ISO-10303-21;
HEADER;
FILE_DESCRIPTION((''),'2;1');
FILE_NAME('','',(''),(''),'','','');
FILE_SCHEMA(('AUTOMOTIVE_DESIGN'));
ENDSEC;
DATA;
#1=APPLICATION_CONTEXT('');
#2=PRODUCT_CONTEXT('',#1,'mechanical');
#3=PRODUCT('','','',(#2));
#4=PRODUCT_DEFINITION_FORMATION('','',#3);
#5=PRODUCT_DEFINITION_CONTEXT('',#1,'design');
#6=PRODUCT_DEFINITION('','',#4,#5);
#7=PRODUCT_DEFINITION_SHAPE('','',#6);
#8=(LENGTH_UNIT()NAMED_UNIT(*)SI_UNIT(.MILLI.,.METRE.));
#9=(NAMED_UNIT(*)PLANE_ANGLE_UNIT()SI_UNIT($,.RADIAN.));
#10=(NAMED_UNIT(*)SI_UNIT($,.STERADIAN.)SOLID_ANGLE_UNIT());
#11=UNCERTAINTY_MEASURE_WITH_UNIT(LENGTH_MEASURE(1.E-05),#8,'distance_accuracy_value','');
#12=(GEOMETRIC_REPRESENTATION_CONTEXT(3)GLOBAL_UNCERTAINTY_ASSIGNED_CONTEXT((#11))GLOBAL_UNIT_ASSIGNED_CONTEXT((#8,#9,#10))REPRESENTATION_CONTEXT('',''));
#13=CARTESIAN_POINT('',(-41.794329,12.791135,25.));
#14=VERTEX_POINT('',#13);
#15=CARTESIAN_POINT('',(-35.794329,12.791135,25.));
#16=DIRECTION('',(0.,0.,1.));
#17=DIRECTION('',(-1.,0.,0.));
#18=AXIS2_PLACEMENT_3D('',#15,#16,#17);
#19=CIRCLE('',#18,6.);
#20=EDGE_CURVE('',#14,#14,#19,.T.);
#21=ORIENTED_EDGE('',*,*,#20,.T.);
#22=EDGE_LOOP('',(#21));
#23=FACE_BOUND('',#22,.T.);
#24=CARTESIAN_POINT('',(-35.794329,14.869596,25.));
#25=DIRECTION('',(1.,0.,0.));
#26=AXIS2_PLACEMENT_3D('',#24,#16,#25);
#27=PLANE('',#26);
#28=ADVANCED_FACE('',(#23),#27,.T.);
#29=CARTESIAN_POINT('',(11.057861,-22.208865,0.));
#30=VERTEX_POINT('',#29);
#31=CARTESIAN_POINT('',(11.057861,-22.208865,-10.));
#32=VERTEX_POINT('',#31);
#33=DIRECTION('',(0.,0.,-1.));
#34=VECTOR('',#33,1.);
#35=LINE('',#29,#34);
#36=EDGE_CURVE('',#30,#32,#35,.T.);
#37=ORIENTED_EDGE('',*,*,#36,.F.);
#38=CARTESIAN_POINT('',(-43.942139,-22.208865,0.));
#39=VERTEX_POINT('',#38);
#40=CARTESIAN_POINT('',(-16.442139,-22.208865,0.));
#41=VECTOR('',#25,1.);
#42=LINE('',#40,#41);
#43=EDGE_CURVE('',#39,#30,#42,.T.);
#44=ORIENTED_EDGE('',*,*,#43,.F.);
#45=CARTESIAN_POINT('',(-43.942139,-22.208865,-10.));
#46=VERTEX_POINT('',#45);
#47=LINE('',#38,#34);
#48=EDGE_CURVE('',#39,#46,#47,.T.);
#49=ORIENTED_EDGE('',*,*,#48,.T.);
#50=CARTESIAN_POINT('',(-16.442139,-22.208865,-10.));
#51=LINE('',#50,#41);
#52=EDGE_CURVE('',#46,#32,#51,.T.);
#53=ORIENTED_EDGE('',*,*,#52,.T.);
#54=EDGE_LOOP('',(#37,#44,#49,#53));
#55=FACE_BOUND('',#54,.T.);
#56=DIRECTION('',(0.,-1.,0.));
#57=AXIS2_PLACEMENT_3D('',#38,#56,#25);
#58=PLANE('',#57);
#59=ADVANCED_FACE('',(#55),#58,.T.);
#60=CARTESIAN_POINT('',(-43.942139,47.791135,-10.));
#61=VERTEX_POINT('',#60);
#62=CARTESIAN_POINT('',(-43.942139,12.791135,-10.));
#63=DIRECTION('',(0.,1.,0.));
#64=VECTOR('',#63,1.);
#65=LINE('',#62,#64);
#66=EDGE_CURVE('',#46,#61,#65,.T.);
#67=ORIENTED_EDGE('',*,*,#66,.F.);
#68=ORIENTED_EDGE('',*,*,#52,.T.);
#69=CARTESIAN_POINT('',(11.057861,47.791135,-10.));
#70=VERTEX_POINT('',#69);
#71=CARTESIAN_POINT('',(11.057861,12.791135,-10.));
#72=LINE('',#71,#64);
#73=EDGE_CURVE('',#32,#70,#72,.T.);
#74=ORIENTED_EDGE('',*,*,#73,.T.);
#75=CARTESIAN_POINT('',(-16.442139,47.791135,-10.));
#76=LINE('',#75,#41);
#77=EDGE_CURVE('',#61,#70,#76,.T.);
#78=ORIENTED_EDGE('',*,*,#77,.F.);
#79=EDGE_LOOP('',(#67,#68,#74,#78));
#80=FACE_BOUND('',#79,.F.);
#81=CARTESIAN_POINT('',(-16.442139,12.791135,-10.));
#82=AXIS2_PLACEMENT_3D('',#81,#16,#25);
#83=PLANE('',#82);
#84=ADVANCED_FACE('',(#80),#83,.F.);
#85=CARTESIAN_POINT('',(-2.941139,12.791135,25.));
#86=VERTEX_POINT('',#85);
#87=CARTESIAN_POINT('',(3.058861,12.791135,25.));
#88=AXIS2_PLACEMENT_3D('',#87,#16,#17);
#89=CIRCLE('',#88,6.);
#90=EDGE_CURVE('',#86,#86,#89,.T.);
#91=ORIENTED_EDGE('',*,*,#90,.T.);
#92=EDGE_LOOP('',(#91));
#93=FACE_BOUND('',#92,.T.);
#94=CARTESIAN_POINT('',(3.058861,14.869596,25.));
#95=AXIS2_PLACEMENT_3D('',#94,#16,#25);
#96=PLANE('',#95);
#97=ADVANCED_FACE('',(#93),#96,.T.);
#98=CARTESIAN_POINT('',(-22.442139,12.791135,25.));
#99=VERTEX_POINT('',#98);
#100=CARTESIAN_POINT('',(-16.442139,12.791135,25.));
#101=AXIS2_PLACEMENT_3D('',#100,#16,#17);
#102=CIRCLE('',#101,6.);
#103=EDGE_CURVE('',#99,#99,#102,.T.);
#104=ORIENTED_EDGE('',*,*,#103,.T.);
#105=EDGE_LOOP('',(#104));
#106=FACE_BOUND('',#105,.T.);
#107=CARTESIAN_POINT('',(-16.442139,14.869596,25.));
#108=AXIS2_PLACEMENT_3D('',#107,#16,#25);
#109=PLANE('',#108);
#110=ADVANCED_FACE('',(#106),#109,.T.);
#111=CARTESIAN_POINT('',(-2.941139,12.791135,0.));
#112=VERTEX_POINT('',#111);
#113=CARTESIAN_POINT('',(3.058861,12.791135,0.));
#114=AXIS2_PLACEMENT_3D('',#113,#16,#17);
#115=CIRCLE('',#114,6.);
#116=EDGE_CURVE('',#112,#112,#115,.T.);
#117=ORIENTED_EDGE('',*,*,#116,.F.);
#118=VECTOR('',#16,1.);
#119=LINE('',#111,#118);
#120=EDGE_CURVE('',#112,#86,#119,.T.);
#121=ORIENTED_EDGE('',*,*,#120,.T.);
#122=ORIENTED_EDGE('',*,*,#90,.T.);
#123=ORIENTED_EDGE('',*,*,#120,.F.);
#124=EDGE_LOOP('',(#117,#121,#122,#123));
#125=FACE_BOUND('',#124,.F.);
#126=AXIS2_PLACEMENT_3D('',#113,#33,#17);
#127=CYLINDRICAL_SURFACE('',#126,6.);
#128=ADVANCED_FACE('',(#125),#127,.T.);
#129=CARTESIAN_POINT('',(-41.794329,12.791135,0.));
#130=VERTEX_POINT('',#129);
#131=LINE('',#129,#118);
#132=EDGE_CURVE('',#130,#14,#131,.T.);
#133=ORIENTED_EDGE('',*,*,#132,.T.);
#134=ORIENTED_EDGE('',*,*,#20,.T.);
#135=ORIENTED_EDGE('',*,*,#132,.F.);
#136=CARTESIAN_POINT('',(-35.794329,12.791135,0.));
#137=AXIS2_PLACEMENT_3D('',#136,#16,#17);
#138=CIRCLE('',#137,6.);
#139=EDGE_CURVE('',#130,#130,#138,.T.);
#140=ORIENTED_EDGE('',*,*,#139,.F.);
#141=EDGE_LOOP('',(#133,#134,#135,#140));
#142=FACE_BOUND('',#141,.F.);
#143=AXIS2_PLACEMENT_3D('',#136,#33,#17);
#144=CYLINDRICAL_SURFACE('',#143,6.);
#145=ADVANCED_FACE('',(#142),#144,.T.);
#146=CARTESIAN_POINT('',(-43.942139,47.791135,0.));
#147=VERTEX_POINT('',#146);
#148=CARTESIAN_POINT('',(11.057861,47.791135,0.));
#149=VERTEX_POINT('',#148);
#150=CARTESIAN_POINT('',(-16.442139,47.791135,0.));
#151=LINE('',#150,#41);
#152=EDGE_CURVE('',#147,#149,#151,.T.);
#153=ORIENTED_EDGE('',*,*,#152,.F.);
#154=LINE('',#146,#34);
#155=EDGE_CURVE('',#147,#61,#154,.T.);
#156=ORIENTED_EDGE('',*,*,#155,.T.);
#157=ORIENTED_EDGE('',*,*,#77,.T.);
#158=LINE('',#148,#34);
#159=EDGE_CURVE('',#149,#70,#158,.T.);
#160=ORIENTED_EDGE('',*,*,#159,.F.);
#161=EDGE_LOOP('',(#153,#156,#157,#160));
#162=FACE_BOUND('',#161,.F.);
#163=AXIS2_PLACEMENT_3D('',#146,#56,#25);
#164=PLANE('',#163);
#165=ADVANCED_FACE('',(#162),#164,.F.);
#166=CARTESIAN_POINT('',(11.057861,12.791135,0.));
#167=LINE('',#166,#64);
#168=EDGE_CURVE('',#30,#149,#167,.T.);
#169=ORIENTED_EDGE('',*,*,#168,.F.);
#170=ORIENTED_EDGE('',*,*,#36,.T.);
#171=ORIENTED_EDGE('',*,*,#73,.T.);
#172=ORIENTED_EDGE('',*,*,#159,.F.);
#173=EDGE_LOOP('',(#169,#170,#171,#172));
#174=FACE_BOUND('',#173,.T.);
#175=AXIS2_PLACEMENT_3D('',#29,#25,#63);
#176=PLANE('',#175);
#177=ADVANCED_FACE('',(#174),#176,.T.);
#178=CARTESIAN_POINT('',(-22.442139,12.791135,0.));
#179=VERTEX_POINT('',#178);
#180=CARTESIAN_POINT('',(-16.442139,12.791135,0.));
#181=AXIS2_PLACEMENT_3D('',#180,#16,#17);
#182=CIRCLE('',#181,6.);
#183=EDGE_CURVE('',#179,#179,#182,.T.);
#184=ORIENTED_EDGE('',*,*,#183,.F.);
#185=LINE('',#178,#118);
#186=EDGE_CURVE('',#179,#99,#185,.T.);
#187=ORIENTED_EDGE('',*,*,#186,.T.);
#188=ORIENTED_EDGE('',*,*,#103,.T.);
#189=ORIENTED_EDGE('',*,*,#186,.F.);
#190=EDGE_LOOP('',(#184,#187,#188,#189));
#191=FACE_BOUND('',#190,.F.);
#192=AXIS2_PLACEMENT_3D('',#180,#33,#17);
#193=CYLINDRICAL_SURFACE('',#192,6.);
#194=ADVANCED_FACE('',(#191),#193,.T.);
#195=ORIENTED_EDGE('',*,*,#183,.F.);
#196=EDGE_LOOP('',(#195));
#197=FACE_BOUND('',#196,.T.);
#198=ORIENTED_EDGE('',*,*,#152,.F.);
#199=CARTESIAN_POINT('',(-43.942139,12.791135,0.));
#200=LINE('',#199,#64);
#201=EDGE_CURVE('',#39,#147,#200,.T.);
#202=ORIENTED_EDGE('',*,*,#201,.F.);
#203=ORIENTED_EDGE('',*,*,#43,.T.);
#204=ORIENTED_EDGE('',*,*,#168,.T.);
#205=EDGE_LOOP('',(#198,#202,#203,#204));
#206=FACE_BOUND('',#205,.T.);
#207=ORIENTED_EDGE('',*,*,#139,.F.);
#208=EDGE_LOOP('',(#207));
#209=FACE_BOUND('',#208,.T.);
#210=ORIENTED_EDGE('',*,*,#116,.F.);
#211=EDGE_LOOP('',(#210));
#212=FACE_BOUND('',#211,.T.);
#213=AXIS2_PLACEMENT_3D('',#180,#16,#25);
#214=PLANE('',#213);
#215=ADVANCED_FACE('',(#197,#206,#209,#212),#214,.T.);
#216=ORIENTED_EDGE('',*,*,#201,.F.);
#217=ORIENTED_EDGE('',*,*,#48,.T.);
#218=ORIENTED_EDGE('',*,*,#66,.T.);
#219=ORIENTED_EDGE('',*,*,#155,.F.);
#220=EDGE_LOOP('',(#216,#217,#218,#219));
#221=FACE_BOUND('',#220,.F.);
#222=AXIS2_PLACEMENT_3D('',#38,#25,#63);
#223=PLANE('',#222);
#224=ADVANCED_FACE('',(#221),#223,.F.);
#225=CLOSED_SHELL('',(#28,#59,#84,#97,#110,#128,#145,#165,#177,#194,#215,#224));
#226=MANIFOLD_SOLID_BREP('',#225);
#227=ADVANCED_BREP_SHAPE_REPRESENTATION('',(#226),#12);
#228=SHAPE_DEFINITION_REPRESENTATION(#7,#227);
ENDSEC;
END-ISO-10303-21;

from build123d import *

# Parameters (mm, degrees)
F0_W     = 55
F0_H     = 70
F1_DEPTH = 10
F3_DEPTH = 25


with BuildPart() as f1:
    # F0 (on Top) → F1 (new body)
    with BuildSketch(Plane.XY):
        with Locations((-16.4421387017, 12.7911348291)):
            Rectangle(F0_W, F0_H)
    extrude(amount=-F1_DEPTH)

    # F2 (on face) → F3 (join)
    with BuildSketch(Plane.XY):
        with BuildLine():
            Line((-41.7943287017, 12.7911348291), (-29.7943287017, 12.7911348291))
            ThreePointArc((-29.7943287017, 12.7911348291), (-35.7943287017, 18.7911348291), (-41.7943287017, 12.7911348291))
        make_face()
        with BuildLine():
            ThreePointArc((-41.7943287017, 12.7911348291), (-35.7943287017, 6.7911348291), (-29.7943287017, 12.7911348291))
            Line((-29.7943287017, 12.7911348291), (-41.7943287017, 12.7911348291))
        make_face()
        with BuildLine():
            Line((-22.4421387017, 12.7911348291), (-10.4421387017, 12.7911348291))
            ThreePointArc((-10.4421387017, 12.7911348291), (-16.4421387017, 18.7911348291), (-22.4421387017, 12.7911348291))
        make_face()
        with BuildLine():
            ThreePointArc((-22.4421387017, 12.7911348291), (-16.4421387017, 6.7911348291), (-10.4421387017, 12.7911348291))
            Line((-10.4421387017, 12.7911348291), (-22.4421387017, 12.7911348291))
        make_face()
        with BuildLine():
            Line((-2.9411387017, 12.7911348291), (9.0588612983, 12.7911348291))
            ThreePointArc((9.0588612983, 12.7911348291), (3.0588612983, 18.7911348291), (-2.9411387017, 12.7911348291))
        make_face()
        with BuildLine():
            ThreePointArc((-2.9411387017, 12.7911348291), (3.0588612983, 6.7911348291), (9.0588612983, 12.7911348291))
            Line((9.0588612983, 12.7911348291), (-2.9411387017, 12.7911348291))
        make_face()
    extrude(amount=F3_DEPTH)


solid = f1.part
